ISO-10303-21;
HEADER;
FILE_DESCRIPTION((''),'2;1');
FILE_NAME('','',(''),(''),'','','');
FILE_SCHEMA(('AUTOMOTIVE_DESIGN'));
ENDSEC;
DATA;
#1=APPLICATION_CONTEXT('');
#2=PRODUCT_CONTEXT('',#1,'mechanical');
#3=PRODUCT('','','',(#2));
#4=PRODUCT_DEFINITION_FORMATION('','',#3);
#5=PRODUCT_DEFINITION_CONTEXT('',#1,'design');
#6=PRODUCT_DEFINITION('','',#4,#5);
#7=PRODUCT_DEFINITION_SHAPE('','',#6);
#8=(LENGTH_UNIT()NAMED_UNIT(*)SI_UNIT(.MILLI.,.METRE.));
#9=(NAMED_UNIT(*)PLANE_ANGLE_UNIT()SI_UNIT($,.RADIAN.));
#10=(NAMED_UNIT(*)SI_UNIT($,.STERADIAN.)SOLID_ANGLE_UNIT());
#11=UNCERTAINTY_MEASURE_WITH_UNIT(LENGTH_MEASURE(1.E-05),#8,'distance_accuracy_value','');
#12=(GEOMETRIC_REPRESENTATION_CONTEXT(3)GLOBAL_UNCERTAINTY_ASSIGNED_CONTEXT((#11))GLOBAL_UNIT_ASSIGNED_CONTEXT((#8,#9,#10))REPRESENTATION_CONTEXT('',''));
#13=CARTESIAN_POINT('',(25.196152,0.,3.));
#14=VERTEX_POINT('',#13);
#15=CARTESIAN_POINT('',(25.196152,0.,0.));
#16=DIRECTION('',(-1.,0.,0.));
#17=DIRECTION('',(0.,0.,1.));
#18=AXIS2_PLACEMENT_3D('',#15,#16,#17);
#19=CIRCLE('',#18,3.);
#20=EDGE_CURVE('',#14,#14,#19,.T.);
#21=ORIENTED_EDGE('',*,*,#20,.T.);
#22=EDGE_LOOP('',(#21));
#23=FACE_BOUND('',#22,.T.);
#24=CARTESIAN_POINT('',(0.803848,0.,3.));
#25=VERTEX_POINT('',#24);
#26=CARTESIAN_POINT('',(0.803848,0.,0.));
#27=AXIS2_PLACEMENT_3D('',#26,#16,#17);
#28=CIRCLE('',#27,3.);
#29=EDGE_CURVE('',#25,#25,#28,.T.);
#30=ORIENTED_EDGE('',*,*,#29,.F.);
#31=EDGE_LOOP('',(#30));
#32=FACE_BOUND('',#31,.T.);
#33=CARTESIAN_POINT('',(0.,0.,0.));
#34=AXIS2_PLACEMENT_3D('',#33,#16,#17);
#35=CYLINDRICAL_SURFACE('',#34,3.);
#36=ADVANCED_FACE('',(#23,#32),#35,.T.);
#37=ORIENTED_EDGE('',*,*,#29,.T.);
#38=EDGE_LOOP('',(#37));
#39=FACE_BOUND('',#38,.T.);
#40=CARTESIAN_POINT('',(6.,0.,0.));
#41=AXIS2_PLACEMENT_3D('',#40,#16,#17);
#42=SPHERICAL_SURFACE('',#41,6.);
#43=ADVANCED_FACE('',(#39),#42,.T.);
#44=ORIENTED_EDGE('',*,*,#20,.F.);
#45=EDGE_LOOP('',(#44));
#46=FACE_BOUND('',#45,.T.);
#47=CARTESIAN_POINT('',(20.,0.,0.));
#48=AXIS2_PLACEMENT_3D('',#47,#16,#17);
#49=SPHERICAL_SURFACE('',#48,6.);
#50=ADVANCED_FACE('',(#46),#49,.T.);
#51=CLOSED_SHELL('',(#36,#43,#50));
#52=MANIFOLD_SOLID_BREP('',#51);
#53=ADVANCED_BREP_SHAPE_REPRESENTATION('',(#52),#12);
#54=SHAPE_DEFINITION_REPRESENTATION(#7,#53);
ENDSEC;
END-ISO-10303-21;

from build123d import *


with BuildPart() as part:
    # Esquisse1 → Base-Révolution (revolve)
    with BuildSketch(Plane.XY, mode=Mode.PRIVATE) as base_r_volution_sk:
        with BuildLine():
            Line((0.803847577, 3), (25.196152423, 3))
            ThreePointArc((25.196152423, 3), (25.795554958, 1.552914271), (26, 0))
            Line((26, 0), (0, 0))
            ThreePointArc((0, 0), (0.204445042, 1.552914271), (0.803847577, 3))
        make_face()
    revolve(base_r_volution_sk.sketch.rotate(Axis((0, 0, 0), (1, 0, 0)), 90), axis=Axis((0, 0, 0), (1, 0, 0)))


solid = part.part
